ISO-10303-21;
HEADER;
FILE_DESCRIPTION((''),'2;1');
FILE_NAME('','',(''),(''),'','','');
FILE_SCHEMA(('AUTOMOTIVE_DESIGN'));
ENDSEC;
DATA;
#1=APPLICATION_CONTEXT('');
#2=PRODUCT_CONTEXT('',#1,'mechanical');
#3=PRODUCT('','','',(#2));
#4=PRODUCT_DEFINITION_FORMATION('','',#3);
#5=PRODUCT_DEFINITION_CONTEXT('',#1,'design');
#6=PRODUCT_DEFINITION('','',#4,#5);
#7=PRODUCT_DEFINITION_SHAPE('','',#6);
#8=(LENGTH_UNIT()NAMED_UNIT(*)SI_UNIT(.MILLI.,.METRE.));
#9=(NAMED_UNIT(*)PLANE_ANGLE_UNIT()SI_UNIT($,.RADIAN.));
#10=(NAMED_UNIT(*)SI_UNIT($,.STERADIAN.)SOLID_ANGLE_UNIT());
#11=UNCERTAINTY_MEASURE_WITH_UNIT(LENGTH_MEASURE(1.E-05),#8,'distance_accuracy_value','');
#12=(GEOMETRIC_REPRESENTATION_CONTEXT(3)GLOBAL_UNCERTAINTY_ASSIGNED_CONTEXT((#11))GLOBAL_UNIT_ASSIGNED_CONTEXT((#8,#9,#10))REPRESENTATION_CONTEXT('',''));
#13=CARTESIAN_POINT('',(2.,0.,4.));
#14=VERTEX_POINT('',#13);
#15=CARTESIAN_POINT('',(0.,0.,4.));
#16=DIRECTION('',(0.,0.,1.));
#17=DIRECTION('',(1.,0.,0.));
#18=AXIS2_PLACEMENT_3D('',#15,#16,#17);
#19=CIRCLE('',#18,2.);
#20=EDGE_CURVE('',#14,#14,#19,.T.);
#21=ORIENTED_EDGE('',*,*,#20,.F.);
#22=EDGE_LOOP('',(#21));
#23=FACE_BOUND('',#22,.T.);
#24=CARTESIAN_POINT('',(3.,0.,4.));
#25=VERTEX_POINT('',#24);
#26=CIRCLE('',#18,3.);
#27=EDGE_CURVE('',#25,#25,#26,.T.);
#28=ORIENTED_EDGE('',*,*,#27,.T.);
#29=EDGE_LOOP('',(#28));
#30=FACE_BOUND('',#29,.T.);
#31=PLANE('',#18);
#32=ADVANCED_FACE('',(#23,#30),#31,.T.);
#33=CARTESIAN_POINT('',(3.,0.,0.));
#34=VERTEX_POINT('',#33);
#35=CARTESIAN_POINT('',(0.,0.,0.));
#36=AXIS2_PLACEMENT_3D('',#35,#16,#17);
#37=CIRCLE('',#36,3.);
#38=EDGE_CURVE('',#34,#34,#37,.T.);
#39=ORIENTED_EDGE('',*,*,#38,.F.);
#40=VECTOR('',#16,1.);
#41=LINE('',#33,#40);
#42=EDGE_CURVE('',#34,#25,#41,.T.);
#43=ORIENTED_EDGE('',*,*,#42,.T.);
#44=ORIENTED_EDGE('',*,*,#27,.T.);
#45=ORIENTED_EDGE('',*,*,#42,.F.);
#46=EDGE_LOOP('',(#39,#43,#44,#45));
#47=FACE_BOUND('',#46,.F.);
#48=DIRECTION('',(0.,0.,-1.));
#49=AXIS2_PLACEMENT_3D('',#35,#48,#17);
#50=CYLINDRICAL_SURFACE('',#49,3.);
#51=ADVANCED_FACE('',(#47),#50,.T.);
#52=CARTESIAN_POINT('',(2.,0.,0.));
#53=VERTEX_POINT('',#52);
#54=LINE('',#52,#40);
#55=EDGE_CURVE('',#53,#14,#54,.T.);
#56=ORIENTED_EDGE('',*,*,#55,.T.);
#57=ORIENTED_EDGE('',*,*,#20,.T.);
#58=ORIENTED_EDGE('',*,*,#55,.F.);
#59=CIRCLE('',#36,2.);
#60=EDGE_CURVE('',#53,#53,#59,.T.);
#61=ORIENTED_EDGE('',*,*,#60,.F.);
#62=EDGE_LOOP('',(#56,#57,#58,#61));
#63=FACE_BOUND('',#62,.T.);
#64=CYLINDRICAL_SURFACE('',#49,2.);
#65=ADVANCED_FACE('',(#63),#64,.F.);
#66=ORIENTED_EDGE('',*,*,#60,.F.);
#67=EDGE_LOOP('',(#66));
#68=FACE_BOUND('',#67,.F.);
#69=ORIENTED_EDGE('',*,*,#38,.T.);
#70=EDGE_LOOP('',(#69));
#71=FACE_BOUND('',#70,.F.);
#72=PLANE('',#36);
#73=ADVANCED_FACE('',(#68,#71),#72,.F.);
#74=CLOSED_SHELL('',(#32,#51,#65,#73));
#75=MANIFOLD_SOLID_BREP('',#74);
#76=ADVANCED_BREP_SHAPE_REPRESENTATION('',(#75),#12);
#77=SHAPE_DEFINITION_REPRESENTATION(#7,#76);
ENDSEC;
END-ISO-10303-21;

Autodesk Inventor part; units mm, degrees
ref_plane "YZ Plane" through (0, 0, 0) normal (1, 0, 0) x (0, 1, 0)
ref_plane "XZ Plane" through (0, 0, 0) normal (0, 1, 0) x (-1, 0, 0)
ref_plane "XY Plane" through (0, 0, 0) normal (0, 0, 1) x (1, 0, 0)
sketch "スケッチ1" plane through (0, 0, 0) normal (0, 0, 1) x (1, 0, 0)
  circle A0 centre (0, 0) radius 3
  circle A1 centre (0, 0) radius 2
  dimension "d0" = 6
  dimension "d1" = 4
extrude "押し出し1" add sketch "スケッチ1" along normal blind 4
properties part number "SiliconeTube_6x4x4"
